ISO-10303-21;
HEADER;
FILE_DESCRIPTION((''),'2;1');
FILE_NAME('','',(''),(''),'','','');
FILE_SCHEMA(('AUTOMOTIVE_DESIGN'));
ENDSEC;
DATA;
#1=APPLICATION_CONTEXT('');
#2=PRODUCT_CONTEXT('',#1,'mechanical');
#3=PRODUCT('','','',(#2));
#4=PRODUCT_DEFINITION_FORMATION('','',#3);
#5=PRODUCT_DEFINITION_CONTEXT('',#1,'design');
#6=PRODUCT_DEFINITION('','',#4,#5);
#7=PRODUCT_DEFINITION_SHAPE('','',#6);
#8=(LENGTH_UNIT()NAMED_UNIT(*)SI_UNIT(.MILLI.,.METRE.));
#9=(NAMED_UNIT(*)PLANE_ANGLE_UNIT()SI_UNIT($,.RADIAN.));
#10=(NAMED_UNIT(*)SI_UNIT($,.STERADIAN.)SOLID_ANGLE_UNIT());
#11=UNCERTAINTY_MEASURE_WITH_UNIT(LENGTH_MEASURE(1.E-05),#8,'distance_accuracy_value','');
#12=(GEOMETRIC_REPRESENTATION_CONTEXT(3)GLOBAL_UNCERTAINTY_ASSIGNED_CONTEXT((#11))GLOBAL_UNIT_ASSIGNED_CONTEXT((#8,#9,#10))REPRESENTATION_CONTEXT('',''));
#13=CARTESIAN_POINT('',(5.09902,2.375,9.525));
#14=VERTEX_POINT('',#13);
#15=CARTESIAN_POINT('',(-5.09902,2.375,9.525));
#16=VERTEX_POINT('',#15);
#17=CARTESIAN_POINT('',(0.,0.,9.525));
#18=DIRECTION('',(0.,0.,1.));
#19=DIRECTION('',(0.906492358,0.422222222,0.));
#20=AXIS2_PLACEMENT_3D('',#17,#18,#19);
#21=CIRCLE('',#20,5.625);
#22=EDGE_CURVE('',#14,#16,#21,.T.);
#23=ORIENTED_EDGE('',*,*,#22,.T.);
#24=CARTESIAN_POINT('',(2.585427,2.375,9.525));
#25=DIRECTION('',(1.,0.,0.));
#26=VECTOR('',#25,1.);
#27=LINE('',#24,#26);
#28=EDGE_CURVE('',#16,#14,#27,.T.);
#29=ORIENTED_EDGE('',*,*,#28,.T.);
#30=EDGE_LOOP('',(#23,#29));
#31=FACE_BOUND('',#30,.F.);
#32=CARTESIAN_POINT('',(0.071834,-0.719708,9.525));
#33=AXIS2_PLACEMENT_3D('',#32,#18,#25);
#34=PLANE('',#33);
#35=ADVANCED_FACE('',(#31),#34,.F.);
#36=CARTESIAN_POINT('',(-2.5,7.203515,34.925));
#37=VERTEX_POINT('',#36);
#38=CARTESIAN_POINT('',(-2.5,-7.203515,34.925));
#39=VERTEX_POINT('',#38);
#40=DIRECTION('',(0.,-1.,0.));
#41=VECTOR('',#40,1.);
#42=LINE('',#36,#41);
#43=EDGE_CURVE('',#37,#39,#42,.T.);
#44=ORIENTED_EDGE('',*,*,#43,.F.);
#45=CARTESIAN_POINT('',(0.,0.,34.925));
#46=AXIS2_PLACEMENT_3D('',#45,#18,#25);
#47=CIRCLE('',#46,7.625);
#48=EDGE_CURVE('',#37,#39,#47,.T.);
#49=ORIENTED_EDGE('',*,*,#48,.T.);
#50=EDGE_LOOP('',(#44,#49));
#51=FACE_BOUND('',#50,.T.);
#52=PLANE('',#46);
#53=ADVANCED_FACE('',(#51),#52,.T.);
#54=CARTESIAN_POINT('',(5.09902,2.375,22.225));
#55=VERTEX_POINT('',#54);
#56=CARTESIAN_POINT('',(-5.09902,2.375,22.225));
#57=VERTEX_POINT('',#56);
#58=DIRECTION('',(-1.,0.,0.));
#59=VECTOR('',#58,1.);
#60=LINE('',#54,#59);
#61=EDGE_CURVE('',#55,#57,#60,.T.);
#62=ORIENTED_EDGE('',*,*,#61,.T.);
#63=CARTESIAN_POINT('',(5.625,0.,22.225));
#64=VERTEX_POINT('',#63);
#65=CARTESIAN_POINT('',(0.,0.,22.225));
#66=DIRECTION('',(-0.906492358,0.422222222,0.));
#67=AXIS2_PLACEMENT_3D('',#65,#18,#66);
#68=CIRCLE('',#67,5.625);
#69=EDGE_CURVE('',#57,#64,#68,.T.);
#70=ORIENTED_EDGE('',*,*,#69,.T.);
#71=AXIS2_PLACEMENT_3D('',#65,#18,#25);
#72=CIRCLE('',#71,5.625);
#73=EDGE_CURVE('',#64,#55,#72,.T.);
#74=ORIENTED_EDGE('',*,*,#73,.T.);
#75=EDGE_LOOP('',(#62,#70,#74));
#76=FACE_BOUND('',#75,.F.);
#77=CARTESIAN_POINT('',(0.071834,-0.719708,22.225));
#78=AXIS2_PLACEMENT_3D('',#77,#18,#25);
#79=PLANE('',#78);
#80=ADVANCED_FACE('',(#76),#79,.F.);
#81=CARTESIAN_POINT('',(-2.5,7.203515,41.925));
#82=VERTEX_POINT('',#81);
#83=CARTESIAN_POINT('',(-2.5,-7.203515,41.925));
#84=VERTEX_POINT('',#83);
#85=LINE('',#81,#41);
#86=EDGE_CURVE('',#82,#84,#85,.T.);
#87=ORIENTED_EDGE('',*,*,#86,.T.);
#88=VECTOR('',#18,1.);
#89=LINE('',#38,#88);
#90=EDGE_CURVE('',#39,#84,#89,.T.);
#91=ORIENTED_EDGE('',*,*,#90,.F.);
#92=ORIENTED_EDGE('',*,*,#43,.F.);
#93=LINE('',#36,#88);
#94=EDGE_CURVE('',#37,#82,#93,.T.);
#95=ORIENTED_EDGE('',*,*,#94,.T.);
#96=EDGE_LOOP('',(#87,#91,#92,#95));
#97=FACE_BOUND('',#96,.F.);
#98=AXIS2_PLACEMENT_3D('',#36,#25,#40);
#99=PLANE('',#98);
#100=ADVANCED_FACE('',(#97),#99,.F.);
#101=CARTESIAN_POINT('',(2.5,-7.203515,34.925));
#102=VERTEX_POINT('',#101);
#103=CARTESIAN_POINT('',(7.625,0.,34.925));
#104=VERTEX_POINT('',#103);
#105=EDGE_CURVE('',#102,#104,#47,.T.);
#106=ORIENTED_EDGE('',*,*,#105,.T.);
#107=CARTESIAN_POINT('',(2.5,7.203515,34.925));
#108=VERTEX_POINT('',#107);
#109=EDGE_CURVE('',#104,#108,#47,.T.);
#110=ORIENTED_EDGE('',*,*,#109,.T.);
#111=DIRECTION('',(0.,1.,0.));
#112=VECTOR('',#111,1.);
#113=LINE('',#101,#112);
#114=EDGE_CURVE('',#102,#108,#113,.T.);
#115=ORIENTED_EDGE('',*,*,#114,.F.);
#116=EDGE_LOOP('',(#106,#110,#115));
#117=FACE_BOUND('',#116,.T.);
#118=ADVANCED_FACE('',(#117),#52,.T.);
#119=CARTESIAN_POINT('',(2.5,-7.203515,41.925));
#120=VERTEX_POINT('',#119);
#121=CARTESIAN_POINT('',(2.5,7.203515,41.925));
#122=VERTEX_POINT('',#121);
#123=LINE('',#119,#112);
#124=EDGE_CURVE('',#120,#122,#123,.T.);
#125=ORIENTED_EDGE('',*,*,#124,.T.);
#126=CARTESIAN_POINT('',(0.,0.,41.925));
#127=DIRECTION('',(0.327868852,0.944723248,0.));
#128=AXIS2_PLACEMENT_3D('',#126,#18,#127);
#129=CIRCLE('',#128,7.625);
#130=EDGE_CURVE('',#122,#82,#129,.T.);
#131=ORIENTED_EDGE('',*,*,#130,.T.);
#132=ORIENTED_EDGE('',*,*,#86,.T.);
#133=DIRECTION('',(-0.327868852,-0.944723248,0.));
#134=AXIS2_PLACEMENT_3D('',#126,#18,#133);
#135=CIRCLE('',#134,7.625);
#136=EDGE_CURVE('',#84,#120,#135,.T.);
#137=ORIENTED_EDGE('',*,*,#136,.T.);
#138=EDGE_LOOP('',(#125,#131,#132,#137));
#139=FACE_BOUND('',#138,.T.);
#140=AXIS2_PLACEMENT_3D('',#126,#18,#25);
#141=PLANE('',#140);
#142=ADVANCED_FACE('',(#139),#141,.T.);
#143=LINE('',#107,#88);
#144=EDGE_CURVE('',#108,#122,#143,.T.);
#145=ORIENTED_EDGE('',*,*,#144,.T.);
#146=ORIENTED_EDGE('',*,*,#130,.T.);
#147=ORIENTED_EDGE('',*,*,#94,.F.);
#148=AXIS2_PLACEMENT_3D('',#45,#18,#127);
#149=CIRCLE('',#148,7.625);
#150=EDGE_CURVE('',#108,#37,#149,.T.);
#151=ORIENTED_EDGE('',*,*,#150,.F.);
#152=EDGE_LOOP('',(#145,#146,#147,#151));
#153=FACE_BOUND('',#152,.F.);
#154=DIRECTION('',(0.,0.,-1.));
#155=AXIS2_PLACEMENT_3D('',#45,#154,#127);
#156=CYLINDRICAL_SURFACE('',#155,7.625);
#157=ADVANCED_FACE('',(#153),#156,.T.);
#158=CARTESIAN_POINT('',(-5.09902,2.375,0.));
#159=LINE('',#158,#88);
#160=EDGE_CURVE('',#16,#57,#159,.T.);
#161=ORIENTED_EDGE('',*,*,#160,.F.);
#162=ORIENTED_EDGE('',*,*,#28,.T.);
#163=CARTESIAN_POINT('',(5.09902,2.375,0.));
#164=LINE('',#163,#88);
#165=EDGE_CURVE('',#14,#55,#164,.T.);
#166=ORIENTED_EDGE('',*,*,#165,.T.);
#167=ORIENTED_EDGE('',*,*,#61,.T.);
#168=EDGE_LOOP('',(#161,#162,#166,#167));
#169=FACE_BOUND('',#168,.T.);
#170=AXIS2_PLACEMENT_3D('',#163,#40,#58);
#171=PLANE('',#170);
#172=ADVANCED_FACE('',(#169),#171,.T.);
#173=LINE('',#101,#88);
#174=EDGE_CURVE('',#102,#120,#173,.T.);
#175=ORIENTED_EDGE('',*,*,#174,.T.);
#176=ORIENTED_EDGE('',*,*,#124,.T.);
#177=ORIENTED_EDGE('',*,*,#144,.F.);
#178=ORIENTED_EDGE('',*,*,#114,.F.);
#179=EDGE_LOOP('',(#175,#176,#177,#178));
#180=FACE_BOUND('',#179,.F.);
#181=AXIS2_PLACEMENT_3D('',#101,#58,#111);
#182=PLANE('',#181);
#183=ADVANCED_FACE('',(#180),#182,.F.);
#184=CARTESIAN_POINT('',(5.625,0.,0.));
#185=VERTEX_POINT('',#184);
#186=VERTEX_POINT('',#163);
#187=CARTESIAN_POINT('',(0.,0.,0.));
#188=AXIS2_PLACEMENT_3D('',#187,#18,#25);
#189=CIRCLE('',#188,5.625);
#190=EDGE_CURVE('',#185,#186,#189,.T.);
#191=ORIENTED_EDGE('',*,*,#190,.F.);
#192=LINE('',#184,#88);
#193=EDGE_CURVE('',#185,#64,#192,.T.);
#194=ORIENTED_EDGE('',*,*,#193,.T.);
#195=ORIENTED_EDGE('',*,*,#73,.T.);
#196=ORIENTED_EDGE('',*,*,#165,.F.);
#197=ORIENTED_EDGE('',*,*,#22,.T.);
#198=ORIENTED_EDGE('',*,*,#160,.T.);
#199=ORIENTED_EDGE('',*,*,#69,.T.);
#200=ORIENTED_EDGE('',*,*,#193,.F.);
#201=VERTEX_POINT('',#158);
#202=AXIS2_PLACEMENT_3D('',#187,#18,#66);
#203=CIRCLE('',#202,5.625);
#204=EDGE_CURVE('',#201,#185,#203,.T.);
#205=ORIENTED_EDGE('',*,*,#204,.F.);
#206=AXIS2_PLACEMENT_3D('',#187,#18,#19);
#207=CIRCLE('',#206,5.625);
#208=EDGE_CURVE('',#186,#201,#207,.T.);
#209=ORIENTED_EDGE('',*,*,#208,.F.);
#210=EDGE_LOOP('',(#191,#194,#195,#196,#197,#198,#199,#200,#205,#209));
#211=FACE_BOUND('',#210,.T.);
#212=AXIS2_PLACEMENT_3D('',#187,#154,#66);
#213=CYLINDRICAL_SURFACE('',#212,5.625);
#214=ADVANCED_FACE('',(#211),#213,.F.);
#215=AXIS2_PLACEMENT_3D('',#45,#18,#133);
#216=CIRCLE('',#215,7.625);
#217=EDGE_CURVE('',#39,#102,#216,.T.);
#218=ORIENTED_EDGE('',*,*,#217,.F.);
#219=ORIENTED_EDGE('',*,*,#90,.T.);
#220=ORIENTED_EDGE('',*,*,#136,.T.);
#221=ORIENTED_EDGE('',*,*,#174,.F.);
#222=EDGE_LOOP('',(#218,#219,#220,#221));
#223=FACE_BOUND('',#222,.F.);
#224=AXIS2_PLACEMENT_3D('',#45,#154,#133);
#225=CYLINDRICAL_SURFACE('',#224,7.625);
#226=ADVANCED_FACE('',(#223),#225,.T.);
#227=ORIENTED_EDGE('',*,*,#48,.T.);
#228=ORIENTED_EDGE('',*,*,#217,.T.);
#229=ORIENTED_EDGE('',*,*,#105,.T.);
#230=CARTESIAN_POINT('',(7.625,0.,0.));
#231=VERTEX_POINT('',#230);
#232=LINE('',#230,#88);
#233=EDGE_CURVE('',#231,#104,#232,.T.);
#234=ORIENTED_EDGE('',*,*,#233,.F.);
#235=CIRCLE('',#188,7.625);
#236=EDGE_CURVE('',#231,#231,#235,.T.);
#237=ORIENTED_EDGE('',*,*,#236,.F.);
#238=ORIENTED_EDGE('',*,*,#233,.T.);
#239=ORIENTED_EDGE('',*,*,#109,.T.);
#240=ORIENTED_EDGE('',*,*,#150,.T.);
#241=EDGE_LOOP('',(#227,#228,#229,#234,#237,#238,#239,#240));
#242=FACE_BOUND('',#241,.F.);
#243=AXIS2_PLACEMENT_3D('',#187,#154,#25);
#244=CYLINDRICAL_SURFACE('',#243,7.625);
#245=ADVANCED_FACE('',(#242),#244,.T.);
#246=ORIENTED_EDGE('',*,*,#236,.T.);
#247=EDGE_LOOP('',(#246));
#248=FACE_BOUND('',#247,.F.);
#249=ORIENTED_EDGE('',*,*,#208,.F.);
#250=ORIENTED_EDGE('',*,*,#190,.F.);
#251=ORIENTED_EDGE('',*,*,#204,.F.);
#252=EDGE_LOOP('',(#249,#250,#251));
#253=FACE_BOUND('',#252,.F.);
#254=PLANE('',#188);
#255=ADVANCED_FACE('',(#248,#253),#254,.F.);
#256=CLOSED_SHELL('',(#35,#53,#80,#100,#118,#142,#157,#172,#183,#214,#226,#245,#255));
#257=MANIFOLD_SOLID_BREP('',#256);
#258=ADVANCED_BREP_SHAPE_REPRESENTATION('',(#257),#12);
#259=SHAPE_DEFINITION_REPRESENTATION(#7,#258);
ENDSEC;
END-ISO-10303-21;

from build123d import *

# Parameters (mm, degrees)
F0_R     = 7.625
F1_DEPTH = 34.925
F2_DEPTH = 9.525
F3_DEPTH = 22.225
F5_DEPTH = 7


with BuildPart() as f1:
    # F0 (on Top) → F1 (new body)
    with BuildSketch(Plane.XY):
        Circle(F0_R)
        with BuildLine():
            ThreePointArc((5.0990195136, 2.375), (5.4919308883, 1.2162730442), (5.625, 0))
            ThreePointArc((5.625, 0), (-1.2162730442, -5.4919308883), (-5.0990195136, 2.375))
            ThreePointArc((-5.0990195136, 2.375), (0, 5.625), (5.0990195136, 2.375))
        make_face(mode=Mode.SUBTRACT)
        with BuildLine():
            ThreePointArc((-5.0990195136, 2.375), (-1.2162730442, -5.4919308883), (5.625, 0))
            ThreePointArc((5.625, 0), (5.4919308883, 1.2162730442), (5.0990195136, 2.375))
            Line((5.0990195136, 2.375), (-5.0990195136, 2.375))
        make_face()
        with BuildLine():
            Line((-5.0990195136, 2.375), (5.0990195136, 2.375))
            ThreePointArc((5.0990195136, 2.375), (0, 5.625), (-5.0990195136, 2.375))
        make_face()
    extrude(amount=F1_DEPTH)

    # F0 (on Top) → F2 (cut)
    with BuildSketch(Plane.XY):
        with BuildLine():
            ThreePointArc((-5.0990195136, 2.375), (-1.2162730442, -5.4919308883), (5.625, 0))
            ThreePointArc((5.625, 0), (5.4919308883, 1.2162730442), (5.0990195136, 2.375))
            Line((5.0990195136, 2.375), (-5.0990195136, 2.375))
        make_face()
        with BuildLine():
            Line((-5.0990195136, 2.375), (5.0990195136, 2.375))
            ThreePointArc((5.0990195136, 2.375), (0, 5.625), (-5.0990195136, 2.375))
        make_face()
    extrude(amount=F2_DEPTH, mode=Mode.SUBTRACT)

    # F0 (on Top) → F3 (cut)
    with BuildSketch(Plane.XY):
        with BuildLine():
            ThreePointArc((-5.0990195136, 2.375), (-1.2162730442, -5.4919308883), (5.625, 0))
            ThreePointArc((5.625, 0), (5.4919308883, 1.2162730442), (5.0990195136, 2.375))
            Line((5.0990195136, 2.375), (-5.0990195136, 2.375))
        make_face()
    extrude(amount=F3_DEPTH, mode=Mode.SUBTRACT)

    # F4 (on face) → F5 (join)
    with BuildSketch(Plane.XY.offset(34.925)):
        with BuildLine():
            Line((2.5, -7.2035147671), (2.5, 7.2035147671))
            ThreePointArc((2.5, 7.2035147671), (0, 7.625), (-2.5, 7.2035147671))
            Line((-2.5, 7.2035147671), (-2.5, -7.2035147671))
            ThreePointArc((-2.5, -7.2035147671), (0, -7.625), (2.5, -7.2035147671))
        make_face()
    extrude(amount=F5_DEPTH)


solid = f1.part
